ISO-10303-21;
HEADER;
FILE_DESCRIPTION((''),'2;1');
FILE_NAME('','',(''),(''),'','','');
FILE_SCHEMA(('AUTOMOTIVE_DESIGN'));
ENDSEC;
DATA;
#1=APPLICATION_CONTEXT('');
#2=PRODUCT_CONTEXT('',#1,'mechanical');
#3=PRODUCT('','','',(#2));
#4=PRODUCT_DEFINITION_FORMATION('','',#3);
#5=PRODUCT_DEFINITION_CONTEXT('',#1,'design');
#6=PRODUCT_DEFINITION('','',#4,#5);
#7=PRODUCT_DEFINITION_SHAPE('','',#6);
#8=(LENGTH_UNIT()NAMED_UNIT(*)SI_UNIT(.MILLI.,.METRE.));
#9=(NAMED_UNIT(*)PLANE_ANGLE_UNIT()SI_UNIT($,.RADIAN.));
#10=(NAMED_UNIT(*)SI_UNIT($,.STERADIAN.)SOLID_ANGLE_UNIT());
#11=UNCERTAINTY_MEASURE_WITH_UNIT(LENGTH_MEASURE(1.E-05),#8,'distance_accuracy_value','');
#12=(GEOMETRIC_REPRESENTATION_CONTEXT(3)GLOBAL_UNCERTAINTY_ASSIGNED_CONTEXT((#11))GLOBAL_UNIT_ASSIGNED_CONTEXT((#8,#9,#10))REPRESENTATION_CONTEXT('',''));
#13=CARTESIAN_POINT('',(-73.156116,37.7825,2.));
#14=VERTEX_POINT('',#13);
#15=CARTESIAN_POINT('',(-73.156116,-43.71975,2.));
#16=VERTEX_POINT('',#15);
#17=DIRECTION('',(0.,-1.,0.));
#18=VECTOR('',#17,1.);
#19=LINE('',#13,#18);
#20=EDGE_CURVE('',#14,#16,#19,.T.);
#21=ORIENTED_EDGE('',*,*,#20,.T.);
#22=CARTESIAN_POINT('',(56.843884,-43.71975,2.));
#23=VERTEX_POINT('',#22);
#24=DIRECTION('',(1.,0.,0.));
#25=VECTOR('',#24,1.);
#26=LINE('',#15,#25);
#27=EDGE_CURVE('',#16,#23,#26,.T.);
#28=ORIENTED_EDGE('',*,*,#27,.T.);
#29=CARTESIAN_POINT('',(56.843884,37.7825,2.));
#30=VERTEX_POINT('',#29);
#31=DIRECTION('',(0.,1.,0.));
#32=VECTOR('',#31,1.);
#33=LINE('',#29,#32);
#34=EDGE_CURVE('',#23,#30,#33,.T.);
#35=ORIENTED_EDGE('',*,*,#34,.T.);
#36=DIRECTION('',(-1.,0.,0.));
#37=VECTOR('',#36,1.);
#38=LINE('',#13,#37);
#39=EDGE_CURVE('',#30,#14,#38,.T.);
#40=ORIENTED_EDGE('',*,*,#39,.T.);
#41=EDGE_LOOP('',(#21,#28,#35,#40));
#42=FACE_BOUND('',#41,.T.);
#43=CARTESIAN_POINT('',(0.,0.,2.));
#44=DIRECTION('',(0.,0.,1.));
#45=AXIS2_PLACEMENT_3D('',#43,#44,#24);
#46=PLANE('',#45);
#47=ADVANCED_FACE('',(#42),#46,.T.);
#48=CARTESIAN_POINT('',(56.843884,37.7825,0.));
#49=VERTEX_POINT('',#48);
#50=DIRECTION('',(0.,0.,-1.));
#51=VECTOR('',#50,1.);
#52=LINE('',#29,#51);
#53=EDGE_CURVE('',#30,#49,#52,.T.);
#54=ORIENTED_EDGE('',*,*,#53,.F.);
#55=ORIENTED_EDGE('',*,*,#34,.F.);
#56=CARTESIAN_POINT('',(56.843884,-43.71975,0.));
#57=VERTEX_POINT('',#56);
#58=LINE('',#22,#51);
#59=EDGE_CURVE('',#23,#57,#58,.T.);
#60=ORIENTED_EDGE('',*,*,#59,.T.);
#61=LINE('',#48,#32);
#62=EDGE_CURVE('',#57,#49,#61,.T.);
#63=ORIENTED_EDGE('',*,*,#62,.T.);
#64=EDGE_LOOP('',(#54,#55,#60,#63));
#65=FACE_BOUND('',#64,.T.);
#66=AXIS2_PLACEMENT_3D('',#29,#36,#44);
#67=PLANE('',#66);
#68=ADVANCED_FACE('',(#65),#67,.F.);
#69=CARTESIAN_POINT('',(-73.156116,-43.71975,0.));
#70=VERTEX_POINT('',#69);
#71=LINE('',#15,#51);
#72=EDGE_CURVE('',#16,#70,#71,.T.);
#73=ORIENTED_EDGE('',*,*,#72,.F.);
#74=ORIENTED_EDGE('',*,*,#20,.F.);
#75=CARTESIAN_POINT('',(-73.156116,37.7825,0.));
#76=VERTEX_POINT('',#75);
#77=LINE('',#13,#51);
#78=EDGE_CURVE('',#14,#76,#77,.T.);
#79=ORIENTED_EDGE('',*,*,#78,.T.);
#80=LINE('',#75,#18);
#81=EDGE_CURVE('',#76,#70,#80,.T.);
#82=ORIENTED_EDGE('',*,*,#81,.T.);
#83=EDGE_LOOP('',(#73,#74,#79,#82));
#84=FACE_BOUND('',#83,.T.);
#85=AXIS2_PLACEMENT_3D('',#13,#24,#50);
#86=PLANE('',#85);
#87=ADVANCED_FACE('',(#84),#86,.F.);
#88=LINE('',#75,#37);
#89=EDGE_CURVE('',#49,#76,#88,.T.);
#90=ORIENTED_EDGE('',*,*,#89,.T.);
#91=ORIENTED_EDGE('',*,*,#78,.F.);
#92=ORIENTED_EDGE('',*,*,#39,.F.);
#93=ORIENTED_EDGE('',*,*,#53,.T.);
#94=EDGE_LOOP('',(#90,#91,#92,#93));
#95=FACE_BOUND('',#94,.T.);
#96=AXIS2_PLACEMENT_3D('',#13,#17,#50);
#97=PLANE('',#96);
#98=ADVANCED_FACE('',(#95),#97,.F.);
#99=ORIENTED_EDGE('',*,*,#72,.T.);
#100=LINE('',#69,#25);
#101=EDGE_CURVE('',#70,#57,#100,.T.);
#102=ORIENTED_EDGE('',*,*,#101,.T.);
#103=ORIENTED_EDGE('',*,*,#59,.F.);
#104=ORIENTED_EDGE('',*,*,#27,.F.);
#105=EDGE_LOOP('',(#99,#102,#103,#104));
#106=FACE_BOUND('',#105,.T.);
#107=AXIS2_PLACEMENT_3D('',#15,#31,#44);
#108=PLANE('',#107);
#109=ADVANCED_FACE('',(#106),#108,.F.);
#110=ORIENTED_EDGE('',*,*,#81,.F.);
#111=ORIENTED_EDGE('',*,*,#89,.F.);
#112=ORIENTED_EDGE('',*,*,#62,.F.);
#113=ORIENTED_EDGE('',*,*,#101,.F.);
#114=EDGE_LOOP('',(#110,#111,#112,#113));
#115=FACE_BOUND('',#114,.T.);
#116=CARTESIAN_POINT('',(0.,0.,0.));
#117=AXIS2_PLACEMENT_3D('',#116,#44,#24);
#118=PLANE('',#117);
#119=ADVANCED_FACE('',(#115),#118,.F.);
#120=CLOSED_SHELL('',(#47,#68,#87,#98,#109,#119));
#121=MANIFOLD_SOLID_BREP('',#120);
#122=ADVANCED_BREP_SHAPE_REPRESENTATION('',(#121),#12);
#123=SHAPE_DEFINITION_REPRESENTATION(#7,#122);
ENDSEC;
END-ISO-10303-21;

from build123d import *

# Parameters (mm, degrees)
SKETCH_1_W      = 130
SKETCH_1_H      = 81.50225
EXTRUDE_1_DEPTH = 2


with BuildPart() as part:
    # 草圖1 → 填料-伸長1 (new body)
    with BuildSketch(Plane.XY):
        with Locations((-8.156115741, -2.968625)):
            Rectangle(SKETCH_1_W, SKETCH_1_H)
    extrude(amount=EXTRUDE_1_DEPTH)


solid = part.part
